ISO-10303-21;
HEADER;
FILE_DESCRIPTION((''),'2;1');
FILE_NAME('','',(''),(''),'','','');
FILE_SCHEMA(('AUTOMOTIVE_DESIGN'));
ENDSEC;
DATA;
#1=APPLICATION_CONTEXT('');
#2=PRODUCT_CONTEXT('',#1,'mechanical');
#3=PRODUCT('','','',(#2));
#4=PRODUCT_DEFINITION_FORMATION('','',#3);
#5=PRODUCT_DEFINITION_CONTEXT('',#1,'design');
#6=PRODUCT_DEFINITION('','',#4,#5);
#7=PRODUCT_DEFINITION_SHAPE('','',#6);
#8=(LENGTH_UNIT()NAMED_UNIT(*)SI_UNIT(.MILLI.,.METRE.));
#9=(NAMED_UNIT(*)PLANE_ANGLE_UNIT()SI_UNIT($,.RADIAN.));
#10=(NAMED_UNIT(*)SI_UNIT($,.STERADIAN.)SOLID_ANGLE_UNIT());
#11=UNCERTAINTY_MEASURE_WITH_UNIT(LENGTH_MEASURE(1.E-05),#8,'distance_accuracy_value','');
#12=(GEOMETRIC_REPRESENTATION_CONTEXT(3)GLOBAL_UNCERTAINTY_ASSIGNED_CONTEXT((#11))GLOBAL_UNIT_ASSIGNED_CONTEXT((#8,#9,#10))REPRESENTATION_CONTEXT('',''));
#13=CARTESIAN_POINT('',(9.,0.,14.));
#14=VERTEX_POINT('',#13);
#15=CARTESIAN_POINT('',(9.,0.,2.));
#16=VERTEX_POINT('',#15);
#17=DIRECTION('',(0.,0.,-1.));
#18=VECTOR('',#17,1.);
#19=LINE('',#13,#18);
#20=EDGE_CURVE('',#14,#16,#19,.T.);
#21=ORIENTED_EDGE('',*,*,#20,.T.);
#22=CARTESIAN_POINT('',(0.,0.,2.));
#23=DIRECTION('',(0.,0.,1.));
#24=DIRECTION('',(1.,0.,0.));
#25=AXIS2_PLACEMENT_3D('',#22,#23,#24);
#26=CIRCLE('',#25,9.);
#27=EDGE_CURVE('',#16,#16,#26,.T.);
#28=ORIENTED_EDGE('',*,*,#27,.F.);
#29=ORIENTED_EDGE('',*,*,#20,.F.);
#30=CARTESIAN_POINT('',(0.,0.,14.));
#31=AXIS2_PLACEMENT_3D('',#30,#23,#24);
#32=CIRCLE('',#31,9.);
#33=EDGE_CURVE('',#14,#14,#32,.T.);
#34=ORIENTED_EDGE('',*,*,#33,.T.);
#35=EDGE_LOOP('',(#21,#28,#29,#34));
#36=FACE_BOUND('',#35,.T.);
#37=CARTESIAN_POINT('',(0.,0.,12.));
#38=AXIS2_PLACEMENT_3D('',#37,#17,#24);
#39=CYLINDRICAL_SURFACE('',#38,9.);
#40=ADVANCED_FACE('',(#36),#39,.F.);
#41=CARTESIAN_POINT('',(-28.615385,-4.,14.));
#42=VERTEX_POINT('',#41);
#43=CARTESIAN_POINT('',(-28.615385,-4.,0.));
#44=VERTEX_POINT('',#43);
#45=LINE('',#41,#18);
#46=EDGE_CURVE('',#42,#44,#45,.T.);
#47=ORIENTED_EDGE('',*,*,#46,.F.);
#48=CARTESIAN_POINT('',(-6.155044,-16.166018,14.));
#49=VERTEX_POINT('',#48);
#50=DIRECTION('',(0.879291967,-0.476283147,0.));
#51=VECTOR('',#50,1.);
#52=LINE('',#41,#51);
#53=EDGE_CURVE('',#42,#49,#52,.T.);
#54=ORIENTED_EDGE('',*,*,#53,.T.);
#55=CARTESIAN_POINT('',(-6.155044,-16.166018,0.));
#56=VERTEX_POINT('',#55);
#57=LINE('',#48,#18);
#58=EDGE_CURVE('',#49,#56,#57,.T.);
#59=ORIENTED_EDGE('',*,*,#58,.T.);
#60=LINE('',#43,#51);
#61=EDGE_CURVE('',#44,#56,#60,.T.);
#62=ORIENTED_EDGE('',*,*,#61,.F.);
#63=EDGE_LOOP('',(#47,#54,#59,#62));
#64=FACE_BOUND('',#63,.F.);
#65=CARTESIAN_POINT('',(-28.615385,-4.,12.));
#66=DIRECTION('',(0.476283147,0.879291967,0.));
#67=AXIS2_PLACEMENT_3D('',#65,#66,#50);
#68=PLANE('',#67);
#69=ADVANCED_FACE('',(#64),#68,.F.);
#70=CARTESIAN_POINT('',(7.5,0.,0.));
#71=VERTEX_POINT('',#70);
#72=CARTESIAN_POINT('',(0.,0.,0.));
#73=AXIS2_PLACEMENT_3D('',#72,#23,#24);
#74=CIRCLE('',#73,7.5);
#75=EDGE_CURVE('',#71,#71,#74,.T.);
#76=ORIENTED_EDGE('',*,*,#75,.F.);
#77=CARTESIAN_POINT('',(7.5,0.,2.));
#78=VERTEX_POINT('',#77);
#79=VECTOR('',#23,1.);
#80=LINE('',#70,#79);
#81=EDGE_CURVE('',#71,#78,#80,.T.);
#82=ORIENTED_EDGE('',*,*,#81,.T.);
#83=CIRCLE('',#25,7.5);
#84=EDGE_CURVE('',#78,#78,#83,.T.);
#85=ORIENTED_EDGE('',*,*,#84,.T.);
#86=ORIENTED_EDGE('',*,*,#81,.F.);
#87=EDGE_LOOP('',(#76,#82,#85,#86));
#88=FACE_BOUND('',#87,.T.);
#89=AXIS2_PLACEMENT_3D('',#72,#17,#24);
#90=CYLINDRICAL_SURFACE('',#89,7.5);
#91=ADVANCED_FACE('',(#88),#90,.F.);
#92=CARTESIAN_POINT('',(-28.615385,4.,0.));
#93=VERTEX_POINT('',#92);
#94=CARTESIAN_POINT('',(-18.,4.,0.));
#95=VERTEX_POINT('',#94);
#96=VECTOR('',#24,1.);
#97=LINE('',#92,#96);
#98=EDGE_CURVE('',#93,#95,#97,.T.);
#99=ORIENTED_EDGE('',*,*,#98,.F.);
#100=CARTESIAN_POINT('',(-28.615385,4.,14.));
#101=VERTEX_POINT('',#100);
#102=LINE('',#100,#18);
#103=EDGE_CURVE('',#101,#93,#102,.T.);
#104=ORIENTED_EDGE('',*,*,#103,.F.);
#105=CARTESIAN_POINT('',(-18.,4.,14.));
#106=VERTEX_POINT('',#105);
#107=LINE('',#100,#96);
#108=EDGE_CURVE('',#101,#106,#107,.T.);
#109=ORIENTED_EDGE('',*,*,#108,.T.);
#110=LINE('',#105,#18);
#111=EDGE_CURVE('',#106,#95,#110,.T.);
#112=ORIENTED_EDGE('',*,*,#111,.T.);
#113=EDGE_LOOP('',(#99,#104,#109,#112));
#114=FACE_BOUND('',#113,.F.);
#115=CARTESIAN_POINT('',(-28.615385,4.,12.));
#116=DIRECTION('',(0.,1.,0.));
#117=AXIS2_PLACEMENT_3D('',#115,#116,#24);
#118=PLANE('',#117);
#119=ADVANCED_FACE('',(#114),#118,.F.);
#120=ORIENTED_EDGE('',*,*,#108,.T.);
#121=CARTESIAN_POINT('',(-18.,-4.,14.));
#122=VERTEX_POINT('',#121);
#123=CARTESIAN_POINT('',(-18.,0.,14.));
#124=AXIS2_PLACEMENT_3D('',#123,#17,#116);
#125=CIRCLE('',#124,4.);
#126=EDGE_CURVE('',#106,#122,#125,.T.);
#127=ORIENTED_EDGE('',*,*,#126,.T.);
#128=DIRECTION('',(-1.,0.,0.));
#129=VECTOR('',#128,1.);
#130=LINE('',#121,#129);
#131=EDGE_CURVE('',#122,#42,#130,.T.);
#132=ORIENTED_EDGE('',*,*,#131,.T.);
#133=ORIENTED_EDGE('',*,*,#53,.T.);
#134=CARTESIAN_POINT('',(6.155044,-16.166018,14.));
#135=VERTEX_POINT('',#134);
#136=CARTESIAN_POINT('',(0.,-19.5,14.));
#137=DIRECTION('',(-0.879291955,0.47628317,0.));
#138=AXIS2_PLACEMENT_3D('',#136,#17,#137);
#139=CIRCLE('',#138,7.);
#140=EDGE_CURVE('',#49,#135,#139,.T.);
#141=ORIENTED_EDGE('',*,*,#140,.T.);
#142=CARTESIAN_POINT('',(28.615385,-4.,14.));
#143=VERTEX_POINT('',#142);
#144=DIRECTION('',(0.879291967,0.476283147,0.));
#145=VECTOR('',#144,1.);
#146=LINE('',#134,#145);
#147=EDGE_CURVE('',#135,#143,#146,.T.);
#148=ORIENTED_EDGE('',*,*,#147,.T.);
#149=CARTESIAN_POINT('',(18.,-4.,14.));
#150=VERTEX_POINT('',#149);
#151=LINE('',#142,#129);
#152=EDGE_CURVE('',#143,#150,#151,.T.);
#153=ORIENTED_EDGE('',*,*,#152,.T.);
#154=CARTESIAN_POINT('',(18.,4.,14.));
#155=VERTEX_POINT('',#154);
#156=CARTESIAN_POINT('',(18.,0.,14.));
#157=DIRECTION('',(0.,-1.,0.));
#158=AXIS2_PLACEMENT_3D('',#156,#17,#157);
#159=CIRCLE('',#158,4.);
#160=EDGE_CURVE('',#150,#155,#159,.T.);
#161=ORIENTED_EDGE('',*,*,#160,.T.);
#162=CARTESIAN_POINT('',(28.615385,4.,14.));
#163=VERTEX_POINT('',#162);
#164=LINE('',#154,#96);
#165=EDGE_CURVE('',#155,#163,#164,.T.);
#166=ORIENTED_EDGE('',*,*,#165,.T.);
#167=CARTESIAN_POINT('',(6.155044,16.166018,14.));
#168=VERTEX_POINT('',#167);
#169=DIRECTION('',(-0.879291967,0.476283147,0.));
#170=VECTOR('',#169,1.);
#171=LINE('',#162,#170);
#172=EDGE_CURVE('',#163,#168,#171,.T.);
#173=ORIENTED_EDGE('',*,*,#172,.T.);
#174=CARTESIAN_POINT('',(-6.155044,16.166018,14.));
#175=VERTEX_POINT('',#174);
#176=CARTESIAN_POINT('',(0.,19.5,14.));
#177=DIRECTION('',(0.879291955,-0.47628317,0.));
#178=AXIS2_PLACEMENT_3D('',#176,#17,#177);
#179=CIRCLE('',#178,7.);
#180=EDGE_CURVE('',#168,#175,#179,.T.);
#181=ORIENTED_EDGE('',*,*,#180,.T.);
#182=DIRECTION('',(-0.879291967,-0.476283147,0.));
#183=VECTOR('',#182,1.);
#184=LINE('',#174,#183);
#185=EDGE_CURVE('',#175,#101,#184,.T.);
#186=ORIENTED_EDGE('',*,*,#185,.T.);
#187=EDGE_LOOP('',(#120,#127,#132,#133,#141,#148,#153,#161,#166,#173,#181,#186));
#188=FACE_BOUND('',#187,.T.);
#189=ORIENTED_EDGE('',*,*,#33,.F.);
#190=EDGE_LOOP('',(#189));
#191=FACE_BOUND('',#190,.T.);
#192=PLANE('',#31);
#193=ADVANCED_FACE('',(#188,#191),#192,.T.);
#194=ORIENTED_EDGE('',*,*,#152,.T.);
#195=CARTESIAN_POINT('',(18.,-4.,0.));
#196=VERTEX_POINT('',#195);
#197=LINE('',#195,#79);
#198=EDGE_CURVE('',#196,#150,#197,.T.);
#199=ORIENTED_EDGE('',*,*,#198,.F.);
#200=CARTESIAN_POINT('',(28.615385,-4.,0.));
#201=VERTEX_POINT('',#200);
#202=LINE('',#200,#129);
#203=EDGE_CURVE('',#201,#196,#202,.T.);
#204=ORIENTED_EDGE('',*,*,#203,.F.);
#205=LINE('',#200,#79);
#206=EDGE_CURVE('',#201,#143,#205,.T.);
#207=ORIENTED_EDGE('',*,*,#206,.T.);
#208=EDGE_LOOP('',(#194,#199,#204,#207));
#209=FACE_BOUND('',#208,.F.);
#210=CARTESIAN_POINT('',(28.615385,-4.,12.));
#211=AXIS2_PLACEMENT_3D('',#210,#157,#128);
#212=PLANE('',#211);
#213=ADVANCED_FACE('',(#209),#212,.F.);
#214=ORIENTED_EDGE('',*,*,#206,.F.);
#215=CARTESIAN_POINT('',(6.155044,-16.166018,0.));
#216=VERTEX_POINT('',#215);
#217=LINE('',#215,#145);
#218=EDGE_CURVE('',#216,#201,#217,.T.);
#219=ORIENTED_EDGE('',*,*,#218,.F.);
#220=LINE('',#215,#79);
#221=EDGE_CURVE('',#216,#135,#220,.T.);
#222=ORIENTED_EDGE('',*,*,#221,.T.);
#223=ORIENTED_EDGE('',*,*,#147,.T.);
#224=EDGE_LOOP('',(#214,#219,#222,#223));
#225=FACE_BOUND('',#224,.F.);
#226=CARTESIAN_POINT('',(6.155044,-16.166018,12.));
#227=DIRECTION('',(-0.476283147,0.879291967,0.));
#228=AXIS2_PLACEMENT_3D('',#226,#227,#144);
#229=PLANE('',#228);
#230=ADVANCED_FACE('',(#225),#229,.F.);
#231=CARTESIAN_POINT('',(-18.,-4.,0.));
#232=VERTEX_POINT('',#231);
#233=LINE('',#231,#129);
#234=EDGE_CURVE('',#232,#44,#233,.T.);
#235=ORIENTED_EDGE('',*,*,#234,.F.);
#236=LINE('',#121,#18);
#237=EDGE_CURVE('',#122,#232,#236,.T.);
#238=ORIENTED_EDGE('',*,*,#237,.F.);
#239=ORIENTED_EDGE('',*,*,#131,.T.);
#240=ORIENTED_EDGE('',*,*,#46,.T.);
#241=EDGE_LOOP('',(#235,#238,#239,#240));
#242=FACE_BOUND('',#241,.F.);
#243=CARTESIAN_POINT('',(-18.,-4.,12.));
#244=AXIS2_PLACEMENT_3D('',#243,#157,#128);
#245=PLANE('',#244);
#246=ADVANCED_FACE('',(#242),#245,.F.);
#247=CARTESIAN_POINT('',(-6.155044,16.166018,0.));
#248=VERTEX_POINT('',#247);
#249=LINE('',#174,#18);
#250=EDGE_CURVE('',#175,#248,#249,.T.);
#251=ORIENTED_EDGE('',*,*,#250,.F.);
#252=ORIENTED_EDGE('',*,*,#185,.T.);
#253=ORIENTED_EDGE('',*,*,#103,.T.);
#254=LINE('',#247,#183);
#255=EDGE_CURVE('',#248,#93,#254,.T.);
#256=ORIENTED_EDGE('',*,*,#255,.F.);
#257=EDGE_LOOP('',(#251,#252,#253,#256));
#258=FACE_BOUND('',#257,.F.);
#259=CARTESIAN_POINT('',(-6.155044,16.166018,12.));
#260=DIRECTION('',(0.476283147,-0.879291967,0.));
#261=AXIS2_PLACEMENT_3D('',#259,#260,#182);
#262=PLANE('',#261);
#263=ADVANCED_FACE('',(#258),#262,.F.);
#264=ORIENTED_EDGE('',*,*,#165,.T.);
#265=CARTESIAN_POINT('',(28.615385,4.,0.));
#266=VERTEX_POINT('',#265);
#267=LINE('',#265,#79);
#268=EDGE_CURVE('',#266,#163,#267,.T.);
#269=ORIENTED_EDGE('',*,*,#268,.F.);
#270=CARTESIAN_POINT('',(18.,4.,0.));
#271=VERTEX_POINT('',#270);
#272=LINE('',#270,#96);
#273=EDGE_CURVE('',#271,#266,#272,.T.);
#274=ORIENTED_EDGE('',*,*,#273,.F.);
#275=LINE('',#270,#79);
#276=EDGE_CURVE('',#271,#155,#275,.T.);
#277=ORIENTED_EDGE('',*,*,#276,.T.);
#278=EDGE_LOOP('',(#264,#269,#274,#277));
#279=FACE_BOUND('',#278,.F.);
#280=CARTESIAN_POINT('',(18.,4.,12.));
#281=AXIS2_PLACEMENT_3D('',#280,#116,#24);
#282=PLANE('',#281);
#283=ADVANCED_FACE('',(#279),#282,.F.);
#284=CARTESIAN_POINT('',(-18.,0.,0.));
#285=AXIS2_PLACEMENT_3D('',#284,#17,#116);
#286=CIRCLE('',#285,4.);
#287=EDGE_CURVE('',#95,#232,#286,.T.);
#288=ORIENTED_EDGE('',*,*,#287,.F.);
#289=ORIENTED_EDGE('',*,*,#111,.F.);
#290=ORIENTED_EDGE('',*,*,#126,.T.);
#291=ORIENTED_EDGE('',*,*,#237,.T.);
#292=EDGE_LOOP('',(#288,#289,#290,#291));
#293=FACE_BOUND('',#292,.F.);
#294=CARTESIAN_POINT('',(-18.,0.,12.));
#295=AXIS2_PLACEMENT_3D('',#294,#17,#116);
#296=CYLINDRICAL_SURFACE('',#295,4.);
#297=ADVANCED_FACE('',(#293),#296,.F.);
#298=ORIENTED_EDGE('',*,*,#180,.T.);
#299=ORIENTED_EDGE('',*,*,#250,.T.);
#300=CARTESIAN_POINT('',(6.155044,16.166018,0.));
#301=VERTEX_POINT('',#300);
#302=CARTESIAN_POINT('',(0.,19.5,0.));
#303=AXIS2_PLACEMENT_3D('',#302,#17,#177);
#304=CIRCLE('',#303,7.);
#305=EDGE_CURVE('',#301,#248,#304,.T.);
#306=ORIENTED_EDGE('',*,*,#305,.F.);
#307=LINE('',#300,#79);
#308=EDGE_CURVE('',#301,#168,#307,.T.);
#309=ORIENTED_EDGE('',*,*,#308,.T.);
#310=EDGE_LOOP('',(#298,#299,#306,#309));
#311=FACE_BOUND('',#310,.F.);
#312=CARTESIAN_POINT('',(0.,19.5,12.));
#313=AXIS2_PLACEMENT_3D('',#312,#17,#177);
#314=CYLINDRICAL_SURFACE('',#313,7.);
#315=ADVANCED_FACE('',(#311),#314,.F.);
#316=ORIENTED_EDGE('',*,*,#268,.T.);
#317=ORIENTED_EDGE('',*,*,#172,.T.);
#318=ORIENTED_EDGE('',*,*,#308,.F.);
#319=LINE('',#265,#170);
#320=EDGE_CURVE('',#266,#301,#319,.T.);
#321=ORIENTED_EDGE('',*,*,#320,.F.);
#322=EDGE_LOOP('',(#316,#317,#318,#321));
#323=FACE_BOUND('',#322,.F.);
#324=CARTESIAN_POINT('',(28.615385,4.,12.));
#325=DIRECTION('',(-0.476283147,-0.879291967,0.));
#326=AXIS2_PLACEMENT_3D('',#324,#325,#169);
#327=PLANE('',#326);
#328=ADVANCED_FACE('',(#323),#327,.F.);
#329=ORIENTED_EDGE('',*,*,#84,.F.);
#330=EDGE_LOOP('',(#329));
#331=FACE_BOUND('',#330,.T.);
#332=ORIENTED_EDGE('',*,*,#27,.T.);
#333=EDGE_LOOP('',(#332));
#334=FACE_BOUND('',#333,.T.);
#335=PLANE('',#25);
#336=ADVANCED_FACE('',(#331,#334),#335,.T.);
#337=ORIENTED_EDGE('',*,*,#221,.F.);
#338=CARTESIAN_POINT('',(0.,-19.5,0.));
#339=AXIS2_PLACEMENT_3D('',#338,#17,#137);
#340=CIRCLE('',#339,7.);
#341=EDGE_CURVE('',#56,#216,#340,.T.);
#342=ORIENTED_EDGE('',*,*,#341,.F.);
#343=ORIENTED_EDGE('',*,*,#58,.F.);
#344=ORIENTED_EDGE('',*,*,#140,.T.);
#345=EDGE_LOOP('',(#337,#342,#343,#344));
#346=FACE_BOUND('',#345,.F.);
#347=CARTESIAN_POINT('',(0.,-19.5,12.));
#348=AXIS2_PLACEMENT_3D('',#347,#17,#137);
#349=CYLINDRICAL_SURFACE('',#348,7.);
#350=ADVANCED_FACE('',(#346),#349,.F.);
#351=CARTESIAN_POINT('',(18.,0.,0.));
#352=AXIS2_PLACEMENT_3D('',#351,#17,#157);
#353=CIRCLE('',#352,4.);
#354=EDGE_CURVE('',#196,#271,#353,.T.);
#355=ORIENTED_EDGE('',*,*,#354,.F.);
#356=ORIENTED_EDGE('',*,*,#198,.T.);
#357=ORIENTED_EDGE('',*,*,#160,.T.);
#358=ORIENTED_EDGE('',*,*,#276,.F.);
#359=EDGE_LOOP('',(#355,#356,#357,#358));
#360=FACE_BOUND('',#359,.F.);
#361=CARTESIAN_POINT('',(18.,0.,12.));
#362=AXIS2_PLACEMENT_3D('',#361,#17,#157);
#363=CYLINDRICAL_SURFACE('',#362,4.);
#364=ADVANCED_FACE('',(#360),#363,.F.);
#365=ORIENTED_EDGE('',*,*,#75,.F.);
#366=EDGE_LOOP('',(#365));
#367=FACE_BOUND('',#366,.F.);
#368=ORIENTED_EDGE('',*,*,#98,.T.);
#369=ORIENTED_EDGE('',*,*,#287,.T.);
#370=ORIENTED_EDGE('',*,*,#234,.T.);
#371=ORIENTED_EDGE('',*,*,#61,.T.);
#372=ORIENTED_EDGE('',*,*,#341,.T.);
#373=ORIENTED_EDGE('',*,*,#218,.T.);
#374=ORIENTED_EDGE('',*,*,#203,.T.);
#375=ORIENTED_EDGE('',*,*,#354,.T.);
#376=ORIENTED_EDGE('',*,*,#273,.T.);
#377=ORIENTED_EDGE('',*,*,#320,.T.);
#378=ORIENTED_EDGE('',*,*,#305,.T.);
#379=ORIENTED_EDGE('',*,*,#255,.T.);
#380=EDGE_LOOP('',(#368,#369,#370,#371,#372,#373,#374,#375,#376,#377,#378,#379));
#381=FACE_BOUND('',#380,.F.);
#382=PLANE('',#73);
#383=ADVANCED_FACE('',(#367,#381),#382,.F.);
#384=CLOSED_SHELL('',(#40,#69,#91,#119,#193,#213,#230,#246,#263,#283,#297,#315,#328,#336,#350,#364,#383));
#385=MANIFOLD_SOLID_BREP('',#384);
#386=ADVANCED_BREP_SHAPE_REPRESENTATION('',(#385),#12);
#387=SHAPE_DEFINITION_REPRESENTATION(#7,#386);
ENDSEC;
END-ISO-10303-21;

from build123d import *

# Parameters (mm, degrees)
F0_R      = 9
F1_DEPTH  = 12
F1_FACE_R = 9
F0_R_2    = 7.5
F2_DEPTH  = 2


with BuildPart() as f1:
    # F0 (on Top) → F1 (new body)
    with BuildSketch(Plane.XY):
        with BuildLine():
            ThreePointArc((6.155044, 16.166018), (0, 12.5), (-6.155044, 16.166018))
            Line((-6.155044, 16.166018), (-28.615385, 4))
            Line((-28.615385, 4), (-18, 4))
            ThreePointArc((-18, 4), (-14, 0), (-18, -4))
            Line((-18, -4), (-28.615385, -4))
            Line((-28.615385, -4), (-6.155044, -16.166018))
            ThreePointArc((-6.155044, -16.166018), (0, -12.5), (6.155044, -16.166018))
            Line((6.155044, -16.166018), (28.615385, -4))
            Line((28.615385, -4), (18, -4))
            ThreePointArc((18, -4), (14, 0), (18, 4))
            Line((18, 4), (28.615385, 4))
            Line((28.615385, 4), (6.155044, 16.166018))
        make_face()
        Circle(F0_R, mode=Mode.SUBTRACT)
    extrude(amount=F1_DEPTH)

    # F1_face (on face) + F0 (on Top) → F2 (join)
    with BuildSketch(Plane.XY.offset(12)):
        with BuildLine():
            ThreePointArc((-6.155044, -16.166018), (0, -12.5), (6.155044, -16.166018))
            Line((6.155044, -16.166018), (28.615385, -4))
            Line((28.615385, -4), (18, -4))
            ThreePointArc((18, -4), (14, 0), (18, 4))
            Line((18, 4), (28.615385, 4))
            Line((28.615385, 4), (6.155044, 16.166018))
            ThreePointArc((6.155044, 16.166018), (0, 12.5), (-6.155044, 16.166018))
            Line((-6.155044, 16.166018), (-28.615385, 4))
            Line((-28.615385, 4), (-18, 4))
            ThreePointArc((-18, 4), (-14, 0), (-18, -4))
            Line((-18, -4), (-28.615385, -4))
            Line((-28.615385, -4), (-6.155044, -16.166018))
        make_face()
        Circle(F1_FACE_R, mode=Mode.SUBTRACT)
    with BuildSketch(Plane.XY):
        Circle(F0_R)
        Circle(F0_R_2, mode=Mode.SUBTRACT)
    extrude(amount=F2_DEPTH)


solid = f1.part
